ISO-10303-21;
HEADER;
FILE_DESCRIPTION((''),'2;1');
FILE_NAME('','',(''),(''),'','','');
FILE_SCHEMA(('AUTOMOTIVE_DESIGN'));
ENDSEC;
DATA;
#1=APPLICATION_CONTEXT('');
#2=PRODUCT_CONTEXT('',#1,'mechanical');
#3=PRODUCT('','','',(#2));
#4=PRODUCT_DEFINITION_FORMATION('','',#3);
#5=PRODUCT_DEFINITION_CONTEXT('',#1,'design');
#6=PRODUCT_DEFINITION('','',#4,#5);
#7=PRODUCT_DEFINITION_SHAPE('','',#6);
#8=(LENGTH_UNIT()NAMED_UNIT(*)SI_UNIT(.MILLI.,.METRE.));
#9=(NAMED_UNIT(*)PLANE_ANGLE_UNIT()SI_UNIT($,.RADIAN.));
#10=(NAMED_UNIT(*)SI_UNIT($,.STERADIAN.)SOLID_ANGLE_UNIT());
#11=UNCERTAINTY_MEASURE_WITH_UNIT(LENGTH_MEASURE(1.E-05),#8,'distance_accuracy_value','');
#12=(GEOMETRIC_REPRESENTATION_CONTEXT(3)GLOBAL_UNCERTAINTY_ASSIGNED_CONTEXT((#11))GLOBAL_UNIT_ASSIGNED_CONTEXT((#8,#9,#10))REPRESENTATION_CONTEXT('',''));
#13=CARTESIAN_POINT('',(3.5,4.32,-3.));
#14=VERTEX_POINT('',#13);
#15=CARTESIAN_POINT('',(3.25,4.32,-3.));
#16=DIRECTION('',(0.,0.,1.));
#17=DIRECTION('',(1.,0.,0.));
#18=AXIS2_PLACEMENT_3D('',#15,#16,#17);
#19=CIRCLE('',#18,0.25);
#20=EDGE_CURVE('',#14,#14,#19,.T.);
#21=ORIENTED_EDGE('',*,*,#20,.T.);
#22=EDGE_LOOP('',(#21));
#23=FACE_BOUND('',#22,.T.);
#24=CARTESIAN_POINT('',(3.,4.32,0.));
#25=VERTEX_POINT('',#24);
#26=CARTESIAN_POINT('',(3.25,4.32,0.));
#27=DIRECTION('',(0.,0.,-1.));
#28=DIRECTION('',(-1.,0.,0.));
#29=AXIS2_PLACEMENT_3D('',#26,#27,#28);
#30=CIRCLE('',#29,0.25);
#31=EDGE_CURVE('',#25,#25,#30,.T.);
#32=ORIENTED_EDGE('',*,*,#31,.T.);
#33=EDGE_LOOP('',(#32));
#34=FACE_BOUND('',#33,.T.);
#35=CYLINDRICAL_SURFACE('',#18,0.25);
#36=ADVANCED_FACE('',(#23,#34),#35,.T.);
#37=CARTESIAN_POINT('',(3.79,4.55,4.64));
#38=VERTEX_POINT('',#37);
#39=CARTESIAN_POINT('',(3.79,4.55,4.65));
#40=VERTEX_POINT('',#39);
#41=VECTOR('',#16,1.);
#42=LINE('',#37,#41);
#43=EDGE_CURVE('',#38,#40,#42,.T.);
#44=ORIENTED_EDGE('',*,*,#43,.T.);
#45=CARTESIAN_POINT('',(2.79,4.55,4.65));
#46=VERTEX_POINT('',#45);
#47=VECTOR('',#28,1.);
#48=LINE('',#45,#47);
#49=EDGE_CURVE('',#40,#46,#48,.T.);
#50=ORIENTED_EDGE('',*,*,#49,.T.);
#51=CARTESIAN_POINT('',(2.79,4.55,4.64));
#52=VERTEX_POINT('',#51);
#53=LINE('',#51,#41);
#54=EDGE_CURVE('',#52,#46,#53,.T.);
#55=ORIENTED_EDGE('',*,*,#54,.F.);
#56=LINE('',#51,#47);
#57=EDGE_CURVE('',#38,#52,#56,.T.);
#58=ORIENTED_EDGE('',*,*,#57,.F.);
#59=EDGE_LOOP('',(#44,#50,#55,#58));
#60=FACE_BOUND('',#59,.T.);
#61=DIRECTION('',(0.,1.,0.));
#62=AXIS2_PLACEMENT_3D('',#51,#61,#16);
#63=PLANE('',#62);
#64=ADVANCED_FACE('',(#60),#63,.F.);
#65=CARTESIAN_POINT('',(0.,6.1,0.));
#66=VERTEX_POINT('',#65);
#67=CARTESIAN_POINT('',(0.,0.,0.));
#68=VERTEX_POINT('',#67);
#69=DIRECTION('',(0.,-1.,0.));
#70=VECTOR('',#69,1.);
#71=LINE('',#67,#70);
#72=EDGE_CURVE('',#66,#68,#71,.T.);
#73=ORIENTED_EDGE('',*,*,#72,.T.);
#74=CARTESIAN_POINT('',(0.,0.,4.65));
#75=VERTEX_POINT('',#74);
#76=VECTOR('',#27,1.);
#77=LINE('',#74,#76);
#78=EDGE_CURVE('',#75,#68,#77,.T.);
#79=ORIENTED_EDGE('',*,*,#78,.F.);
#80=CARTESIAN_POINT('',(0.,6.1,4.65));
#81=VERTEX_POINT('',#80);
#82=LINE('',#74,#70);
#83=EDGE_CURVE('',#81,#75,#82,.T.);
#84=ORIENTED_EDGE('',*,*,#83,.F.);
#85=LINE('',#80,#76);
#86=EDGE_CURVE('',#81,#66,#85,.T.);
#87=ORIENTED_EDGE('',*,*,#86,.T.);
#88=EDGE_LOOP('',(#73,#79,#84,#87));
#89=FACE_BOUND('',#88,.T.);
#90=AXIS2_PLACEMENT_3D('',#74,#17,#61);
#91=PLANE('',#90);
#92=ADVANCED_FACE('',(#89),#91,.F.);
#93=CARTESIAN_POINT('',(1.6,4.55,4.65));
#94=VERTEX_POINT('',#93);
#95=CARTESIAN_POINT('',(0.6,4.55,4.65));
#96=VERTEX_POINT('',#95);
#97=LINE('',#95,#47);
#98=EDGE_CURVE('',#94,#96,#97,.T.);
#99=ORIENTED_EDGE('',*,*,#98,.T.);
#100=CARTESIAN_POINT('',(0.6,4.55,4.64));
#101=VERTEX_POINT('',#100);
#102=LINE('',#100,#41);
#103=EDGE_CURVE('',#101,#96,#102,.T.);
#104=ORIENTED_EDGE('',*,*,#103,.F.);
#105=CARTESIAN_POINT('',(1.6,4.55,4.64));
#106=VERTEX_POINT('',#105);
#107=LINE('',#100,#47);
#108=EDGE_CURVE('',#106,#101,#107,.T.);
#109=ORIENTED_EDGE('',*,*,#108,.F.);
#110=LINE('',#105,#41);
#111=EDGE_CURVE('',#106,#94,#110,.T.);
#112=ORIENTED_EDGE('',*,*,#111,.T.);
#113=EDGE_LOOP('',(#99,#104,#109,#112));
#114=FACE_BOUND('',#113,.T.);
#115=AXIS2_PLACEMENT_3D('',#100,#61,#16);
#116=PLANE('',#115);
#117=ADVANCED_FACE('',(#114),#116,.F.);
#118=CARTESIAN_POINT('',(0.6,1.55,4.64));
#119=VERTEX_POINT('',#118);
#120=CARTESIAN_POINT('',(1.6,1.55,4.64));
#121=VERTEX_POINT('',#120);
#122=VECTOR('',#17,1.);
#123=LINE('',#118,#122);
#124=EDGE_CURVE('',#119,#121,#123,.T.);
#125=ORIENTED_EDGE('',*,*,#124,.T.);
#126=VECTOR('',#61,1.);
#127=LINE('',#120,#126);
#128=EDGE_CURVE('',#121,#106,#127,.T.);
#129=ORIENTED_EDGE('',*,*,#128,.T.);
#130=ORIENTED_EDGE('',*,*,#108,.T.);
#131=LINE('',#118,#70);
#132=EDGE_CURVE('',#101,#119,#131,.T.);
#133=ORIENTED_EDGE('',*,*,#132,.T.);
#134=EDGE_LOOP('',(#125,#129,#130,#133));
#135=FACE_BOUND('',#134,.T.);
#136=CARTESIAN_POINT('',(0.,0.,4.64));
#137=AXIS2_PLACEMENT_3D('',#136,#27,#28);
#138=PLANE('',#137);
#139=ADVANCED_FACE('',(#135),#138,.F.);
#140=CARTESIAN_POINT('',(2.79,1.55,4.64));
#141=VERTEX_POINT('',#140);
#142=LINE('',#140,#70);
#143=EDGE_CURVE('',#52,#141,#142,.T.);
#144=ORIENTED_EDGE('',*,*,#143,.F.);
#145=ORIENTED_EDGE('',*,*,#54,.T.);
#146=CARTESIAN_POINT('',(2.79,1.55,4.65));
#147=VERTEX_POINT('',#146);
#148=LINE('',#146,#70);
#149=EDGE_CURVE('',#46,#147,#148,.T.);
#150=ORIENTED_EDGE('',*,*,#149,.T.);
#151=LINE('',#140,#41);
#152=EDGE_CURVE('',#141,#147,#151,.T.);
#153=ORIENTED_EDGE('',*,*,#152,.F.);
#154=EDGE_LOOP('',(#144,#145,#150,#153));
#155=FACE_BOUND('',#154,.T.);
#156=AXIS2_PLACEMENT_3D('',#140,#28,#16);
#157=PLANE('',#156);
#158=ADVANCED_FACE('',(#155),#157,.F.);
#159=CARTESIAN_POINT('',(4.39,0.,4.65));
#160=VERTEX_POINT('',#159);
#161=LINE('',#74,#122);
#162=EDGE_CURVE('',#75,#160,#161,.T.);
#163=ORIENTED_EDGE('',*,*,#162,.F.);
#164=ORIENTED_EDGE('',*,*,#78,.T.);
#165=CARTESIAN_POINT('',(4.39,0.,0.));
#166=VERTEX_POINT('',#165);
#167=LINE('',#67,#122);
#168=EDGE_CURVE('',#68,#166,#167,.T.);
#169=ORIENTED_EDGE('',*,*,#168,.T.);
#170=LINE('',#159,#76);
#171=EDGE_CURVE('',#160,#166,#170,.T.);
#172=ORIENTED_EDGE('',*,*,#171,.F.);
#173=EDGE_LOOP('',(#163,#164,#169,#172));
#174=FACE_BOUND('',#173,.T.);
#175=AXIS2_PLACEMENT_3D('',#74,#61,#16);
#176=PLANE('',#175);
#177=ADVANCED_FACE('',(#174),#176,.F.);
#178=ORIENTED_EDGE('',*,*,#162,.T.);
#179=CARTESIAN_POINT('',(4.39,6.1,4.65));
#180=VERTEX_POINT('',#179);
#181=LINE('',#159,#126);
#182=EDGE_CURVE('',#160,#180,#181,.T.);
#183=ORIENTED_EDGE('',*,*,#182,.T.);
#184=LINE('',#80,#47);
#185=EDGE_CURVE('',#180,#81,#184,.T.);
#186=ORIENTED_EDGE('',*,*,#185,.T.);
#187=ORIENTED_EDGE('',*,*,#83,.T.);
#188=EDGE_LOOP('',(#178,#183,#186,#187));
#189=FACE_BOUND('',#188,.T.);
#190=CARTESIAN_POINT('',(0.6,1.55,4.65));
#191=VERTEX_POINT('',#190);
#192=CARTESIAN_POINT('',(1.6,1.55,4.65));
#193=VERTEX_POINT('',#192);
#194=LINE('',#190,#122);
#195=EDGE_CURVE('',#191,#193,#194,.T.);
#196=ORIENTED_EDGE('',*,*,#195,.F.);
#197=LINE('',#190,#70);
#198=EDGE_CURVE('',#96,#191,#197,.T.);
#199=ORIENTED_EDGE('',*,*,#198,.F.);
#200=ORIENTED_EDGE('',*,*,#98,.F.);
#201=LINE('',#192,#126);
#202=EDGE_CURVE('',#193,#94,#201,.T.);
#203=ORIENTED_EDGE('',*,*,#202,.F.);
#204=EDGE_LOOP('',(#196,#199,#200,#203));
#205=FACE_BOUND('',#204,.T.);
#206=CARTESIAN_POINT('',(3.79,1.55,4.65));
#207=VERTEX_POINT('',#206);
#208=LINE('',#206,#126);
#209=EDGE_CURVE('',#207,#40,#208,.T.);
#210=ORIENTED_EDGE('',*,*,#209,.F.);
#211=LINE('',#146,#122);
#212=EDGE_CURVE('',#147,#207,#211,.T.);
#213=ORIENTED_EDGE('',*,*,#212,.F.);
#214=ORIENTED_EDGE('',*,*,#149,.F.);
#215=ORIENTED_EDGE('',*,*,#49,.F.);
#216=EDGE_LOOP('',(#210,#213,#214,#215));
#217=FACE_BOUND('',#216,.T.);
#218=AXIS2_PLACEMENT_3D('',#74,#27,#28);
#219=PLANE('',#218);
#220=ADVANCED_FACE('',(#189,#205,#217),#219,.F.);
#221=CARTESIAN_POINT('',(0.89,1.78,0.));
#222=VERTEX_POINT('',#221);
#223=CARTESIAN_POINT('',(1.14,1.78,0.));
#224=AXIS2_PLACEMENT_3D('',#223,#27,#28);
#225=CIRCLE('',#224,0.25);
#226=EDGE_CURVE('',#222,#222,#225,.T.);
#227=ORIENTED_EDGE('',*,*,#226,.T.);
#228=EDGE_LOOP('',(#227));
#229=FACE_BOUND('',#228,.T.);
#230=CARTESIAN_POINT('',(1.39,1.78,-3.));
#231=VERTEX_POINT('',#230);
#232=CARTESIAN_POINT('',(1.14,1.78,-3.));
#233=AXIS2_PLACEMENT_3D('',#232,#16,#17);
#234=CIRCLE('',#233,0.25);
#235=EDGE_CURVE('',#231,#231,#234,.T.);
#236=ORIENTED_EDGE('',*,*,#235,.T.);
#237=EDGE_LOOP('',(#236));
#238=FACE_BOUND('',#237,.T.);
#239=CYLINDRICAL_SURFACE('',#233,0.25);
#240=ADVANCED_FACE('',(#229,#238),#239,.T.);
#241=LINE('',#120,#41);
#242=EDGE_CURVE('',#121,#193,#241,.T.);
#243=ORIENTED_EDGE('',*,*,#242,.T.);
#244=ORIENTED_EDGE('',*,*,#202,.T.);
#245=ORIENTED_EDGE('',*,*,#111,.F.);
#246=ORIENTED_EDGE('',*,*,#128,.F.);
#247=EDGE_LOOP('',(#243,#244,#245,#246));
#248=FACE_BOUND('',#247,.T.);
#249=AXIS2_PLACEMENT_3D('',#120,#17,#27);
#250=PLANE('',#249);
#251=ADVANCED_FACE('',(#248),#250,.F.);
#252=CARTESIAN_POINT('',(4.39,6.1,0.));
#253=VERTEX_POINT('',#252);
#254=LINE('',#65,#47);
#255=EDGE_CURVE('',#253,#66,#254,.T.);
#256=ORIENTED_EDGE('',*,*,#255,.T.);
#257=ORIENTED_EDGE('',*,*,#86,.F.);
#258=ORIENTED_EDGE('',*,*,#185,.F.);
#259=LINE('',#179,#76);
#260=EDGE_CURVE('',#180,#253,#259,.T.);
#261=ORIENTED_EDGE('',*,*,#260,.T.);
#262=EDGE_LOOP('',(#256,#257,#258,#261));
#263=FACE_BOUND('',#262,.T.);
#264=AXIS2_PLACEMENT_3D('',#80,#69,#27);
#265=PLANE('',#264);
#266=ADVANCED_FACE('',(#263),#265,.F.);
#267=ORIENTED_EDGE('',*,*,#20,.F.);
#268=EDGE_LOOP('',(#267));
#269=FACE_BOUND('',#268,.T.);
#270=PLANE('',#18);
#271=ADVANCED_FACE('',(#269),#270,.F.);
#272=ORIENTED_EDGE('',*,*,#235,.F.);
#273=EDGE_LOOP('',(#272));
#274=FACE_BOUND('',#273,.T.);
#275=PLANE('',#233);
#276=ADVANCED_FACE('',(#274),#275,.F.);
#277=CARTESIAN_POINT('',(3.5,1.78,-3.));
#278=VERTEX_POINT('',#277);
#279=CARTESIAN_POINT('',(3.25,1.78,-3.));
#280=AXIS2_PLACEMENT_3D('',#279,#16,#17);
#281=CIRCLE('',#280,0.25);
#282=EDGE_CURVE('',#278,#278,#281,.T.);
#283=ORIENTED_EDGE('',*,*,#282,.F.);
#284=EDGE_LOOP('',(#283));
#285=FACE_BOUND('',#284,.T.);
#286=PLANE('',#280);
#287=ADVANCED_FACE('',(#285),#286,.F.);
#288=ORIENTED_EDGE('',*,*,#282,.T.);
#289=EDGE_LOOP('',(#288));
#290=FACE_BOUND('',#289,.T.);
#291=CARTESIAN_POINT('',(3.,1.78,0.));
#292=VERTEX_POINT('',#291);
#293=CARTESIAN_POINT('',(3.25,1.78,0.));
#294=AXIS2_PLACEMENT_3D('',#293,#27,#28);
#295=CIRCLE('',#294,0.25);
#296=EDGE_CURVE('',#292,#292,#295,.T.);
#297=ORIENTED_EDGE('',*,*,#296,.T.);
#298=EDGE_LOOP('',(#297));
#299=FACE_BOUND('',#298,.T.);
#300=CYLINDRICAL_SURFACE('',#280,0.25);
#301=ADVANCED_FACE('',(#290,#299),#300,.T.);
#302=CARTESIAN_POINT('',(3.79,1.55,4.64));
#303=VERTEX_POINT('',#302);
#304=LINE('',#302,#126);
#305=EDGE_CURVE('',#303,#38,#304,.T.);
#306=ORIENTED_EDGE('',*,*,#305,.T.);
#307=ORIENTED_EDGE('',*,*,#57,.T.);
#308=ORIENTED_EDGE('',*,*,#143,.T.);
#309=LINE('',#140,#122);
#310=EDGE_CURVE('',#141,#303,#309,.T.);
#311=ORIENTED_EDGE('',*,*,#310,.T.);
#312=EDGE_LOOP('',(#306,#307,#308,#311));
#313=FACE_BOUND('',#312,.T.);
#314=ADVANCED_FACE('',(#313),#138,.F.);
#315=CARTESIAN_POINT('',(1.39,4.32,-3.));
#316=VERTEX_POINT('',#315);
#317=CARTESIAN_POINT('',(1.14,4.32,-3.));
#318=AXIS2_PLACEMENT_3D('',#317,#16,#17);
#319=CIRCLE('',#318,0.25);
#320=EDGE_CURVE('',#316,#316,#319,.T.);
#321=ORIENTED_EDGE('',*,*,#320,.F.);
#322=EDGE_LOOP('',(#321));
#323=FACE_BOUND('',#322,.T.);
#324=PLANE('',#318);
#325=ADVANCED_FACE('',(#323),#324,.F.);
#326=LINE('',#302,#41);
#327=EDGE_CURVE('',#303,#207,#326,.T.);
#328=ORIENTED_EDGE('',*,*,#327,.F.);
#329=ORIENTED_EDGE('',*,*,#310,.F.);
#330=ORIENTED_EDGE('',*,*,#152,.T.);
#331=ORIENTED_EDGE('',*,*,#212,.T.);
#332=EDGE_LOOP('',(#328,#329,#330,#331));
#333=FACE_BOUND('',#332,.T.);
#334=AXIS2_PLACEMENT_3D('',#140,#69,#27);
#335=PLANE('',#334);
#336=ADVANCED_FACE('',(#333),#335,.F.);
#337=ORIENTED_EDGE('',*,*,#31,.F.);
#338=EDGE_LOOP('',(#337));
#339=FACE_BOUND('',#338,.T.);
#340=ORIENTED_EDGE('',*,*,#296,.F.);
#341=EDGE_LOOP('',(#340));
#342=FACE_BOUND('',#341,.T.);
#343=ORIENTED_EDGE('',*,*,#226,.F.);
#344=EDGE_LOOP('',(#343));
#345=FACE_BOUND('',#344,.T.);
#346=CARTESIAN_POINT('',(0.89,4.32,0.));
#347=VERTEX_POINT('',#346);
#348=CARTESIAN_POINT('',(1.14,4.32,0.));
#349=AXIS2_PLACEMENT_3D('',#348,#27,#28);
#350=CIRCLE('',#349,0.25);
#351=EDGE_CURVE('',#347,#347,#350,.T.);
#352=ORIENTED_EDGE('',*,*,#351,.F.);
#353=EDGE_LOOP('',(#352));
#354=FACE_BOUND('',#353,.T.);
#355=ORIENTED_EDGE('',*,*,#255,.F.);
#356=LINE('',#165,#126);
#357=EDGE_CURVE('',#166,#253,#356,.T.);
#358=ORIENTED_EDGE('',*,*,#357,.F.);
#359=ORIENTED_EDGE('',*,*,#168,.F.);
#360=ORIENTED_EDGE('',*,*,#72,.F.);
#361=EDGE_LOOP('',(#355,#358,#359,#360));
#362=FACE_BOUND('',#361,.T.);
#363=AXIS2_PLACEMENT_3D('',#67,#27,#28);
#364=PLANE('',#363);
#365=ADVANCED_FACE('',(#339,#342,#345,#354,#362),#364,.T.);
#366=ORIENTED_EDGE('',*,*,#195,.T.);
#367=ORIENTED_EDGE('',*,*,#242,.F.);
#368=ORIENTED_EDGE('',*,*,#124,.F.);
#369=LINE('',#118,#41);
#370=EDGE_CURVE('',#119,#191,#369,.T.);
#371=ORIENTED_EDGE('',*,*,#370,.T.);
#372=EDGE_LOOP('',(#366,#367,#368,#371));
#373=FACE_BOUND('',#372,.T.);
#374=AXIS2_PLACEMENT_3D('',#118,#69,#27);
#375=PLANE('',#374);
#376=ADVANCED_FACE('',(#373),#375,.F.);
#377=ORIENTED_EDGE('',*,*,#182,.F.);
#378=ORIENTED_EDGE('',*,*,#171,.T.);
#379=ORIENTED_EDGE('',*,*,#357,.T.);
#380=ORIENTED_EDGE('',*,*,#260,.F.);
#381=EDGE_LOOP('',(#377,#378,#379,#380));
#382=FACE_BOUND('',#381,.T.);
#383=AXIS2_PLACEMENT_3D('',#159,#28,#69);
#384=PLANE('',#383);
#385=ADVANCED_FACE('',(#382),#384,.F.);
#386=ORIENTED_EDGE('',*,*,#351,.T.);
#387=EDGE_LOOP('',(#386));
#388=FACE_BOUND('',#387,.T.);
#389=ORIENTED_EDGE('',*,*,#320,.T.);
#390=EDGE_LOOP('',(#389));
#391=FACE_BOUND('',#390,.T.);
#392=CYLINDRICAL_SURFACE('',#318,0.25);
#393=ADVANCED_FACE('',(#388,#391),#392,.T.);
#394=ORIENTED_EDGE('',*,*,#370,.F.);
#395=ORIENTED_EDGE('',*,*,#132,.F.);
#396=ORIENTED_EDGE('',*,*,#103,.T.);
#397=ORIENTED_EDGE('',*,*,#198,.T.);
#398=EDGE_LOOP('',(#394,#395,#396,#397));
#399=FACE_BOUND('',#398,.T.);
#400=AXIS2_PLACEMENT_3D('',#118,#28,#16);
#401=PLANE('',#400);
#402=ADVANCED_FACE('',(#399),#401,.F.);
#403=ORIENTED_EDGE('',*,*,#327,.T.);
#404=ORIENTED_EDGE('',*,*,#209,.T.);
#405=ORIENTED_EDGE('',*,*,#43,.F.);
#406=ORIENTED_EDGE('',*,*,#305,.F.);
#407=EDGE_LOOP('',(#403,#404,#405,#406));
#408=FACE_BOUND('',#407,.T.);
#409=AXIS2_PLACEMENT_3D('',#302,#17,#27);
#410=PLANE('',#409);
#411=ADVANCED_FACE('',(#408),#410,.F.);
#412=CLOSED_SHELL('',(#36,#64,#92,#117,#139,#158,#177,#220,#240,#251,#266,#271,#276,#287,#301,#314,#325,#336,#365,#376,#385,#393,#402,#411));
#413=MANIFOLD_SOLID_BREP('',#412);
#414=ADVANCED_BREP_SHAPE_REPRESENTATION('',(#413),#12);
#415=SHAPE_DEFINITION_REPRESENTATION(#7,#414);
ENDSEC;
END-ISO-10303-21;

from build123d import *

# Parameters (mm, degrees)
SKETCH_1_W          = 4.39
SKETCH_1_H          = 6.1
EXTRUDE_1_DEPTH     = 4.65
SKETCH_2_W          = 1
SKETCH_2_H          = 3
CUT_EXTRUDE_1_DEPTH = 0.01
SKETCH_3_R          = 0.25
EXTRUDE_2_DEPTH     = 3


with BuildPart() as part:
    # Эскиз1 → Бобышка-Вытянуть1 (new body)
    with BuildSketch(Plane.XY):
        with Locations((2.195, 3.05)):
            Rectangle(SKETCH_1_W, SKETCH_1_H)
    extrude(amount=EXTRUDE_1_DEPTH)

    # Эскиз2 → Вырез-Вытянуть1 (cut)
    with BuildSketch(Plane.XY.offset(4.65)):
        with Locations((1.1, 3.05)):
            Rectangle(SKETCH_2_W, SKETCH_2_H)
        with Locations((3.29, 3.05)):
            Rectangle(SKETCH_2_W, SKETCH_2_H)
    extrude(amount=-CUT_EXTRUDE_1_DEPTH, mode=Mode.SUBTRACT)

    # Эскиз3 → Бобышка-Вытянуть2 (add)
    with BuildSketch(Plane.XY):
        with Locations((1.14, 1.78)):
            Circle(SKETCH_3_R)
        with Locations((3.25, 1.78)):
            Circle(SKETCH_3_R)
        with Locations((3.25, 4.32)):
            Circle(SKETCH_3_R)
        with Locations((1.14, 4.32)):
            Circle(SKETCH_3_R)
    extrude(amount=-EXTRUDE_2_DEPTH)


solid = part.part
